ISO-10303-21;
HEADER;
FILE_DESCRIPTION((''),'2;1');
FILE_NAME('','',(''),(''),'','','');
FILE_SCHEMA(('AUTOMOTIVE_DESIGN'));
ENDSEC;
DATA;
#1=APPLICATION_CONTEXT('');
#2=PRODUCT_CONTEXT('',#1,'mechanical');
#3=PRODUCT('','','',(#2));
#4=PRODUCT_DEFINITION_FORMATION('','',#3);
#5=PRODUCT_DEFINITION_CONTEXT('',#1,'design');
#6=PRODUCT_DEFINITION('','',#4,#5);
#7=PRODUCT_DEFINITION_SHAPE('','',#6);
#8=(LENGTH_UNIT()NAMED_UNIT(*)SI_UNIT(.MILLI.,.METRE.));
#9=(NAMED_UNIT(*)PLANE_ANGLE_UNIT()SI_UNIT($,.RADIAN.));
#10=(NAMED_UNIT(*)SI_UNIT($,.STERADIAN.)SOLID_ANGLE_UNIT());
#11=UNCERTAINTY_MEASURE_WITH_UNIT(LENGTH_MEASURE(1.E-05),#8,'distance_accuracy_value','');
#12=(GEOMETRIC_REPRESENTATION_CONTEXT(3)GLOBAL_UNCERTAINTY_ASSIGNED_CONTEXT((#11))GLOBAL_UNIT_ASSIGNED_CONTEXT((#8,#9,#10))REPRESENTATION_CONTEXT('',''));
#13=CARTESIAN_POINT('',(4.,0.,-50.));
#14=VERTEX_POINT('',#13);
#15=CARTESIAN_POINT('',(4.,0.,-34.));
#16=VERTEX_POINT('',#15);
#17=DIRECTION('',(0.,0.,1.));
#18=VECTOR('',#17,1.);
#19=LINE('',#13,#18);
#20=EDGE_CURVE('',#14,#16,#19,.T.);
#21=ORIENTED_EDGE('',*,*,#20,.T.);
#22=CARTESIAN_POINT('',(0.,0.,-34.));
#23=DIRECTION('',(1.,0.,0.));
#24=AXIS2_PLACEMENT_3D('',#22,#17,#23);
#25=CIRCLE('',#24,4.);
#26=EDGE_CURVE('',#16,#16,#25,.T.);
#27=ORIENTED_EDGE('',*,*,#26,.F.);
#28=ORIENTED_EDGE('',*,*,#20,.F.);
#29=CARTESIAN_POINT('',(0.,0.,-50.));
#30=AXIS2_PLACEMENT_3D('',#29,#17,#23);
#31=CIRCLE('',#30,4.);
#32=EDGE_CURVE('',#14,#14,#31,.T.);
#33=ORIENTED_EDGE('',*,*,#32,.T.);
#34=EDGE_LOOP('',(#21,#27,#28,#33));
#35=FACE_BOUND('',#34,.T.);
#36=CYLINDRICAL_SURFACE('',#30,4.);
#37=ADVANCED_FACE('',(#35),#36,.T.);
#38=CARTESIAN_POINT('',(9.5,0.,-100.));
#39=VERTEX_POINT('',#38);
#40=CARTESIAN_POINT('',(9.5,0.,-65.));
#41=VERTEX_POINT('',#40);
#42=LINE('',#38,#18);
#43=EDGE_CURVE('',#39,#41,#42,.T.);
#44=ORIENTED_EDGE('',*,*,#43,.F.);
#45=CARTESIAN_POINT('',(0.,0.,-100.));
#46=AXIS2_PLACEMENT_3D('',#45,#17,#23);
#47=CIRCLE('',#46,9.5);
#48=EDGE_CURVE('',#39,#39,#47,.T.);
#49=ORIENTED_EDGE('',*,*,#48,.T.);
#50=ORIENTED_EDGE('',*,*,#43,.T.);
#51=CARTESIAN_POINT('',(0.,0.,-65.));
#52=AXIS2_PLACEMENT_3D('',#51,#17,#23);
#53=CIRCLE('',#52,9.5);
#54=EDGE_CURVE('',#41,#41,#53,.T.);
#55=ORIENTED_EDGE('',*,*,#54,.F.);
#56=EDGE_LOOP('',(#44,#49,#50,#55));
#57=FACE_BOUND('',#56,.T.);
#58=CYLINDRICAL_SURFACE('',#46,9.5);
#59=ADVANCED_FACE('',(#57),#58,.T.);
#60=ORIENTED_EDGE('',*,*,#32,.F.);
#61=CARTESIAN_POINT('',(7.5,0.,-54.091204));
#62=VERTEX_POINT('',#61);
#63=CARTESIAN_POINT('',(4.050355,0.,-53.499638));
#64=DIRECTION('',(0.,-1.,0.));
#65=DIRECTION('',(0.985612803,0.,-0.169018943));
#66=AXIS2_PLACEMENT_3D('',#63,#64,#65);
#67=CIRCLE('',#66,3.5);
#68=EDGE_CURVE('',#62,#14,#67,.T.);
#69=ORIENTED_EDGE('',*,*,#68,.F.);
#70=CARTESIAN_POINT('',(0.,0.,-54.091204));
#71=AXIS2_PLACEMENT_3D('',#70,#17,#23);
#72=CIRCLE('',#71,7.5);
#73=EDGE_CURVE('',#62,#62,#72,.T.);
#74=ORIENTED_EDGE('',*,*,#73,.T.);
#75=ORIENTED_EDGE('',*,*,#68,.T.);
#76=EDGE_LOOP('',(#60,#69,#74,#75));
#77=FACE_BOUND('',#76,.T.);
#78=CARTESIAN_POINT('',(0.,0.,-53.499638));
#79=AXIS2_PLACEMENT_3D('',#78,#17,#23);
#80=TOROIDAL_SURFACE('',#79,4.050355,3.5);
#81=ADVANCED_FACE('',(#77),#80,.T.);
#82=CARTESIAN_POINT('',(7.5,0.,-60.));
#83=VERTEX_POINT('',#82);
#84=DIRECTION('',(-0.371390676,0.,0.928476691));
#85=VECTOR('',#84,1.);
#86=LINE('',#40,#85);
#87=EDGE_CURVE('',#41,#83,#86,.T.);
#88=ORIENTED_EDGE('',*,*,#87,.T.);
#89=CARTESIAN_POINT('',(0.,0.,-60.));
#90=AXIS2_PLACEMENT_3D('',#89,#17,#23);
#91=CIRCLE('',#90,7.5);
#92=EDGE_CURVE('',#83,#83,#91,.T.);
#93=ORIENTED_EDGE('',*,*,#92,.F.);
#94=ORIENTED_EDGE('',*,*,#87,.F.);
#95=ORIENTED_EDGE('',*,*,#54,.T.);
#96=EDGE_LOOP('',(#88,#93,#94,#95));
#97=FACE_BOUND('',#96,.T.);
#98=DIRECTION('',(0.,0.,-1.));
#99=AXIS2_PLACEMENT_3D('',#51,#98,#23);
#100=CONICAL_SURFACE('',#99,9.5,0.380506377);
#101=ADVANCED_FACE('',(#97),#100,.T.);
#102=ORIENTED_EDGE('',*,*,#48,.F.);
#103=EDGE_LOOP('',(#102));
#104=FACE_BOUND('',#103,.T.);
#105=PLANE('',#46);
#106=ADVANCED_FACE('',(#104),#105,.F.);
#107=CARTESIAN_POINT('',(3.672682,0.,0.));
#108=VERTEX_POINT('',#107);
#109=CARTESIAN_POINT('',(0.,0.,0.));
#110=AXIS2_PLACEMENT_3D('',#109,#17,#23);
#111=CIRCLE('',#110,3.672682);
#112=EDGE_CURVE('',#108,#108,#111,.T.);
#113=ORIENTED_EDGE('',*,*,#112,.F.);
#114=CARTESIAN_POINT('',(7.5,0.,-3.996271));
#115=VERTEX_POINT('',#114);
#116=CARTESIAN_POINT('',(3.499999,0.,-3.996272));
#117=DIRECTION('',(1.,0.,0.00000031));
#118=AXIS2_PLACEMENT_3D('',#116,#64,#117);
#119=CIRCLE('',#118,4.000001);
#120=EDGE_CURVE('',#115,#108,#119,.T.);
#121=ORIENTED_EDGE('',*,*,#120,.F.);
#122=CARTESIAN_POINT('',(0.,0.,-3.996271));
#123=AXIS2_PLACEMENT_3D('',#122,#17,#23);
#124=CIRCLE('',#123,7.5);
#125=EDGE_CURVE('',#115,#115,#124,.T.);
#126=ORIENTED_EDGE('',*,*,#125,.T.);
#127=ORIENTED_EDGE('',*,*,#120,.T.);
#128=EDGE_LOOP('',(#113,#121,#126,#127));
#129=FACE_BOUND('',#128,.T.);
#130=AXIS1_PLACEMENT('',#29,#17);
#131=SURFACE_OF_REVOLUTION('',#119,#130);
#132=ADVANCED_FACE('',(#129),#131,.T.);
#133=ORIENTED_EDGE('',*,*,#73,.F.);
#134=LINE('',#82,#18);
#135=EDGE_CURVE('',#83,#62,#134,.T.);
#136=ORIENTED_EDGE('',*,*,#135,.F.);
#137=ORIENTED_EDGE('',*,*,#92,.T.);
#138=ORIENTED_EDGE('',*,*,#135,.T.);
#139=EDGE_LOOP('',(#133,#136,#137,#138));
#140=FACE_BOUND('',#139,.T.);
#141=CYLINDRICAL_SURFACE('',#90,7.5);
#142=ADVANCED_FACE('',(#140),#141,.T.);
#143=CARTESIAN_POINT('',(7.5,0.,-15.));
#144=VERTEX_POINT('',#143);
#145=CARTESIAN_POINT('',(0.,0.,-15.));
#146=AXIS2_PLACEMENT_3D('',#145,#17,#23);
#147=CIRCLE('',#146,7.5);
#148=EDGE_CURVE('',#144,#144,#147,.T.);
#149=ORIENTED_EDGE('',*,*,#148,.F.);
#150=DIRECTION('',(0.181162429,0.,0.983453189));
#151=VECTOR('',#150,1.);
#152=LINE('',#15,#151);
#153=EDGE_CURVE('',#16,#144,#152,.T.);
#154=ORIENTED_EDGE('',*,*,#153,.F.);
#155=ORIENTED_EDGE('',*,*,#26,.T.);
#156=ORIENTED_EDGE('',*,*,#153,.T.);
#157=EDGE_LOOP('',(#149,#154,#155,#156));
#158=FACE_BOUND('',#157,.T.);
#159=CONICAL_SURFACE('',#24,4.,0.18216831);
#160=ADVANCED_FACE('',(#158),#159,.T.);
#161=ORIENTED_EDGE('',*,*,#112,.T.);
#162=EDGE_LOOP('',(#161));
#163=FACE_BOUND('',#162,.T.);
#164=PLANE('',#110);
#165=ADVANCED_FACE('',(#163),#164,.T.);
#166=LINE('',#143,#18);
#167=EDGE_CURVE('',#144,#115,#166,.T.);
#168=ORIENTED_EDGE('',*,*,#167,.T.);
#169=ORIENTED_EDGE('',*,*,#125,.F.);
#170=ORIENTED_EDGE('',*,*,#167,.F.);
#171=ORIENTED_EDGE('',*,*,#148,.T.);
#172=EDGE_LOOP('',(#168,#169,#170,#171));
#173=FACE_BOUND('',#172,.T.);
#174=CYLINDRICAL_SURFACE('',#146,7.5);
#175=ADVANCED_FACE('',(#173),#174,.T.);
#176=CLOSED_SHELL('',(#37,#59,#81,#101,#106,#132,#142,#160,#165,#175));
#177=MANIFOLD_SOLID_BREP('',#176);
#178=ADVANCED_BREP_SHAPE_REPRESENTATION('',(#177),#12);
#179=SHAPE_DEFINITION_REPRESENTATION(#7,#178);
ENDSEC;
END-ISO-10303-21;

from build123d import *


with BuildPart() as f1:
    # F0 (on Front) → F1 (revolve)
    with BuildSketch(Plane.XZ):
        with BuildLine():
            Line((3.672682, 0), (0, 0))
            Line((0, 0), (0, -100))
            Line((0, -100), (9.5, -100))
            Line((9.5, -100), (9.5, -65))
            Line((9.5, -65), (7.5, -60))
            Line((7.5, -60), (7.5, -54.091204))
            ThreePointArc((7.5, -54.091204), (6.709919, -51.224397), (4, -50))
            Line((4, -50), (4, -34))
            Line((4, -34), (7.5, -15))
            Line((7.5, -15), (7.5, -3.996271))
            ThreePointArc((7.5, -3.996271), (6.388834, -1.22957), (3.672682, 0))
        make_face()
    revolve(axis=Axis((0, 0, -50), (0, 0, 1)))


solid = f1.part
